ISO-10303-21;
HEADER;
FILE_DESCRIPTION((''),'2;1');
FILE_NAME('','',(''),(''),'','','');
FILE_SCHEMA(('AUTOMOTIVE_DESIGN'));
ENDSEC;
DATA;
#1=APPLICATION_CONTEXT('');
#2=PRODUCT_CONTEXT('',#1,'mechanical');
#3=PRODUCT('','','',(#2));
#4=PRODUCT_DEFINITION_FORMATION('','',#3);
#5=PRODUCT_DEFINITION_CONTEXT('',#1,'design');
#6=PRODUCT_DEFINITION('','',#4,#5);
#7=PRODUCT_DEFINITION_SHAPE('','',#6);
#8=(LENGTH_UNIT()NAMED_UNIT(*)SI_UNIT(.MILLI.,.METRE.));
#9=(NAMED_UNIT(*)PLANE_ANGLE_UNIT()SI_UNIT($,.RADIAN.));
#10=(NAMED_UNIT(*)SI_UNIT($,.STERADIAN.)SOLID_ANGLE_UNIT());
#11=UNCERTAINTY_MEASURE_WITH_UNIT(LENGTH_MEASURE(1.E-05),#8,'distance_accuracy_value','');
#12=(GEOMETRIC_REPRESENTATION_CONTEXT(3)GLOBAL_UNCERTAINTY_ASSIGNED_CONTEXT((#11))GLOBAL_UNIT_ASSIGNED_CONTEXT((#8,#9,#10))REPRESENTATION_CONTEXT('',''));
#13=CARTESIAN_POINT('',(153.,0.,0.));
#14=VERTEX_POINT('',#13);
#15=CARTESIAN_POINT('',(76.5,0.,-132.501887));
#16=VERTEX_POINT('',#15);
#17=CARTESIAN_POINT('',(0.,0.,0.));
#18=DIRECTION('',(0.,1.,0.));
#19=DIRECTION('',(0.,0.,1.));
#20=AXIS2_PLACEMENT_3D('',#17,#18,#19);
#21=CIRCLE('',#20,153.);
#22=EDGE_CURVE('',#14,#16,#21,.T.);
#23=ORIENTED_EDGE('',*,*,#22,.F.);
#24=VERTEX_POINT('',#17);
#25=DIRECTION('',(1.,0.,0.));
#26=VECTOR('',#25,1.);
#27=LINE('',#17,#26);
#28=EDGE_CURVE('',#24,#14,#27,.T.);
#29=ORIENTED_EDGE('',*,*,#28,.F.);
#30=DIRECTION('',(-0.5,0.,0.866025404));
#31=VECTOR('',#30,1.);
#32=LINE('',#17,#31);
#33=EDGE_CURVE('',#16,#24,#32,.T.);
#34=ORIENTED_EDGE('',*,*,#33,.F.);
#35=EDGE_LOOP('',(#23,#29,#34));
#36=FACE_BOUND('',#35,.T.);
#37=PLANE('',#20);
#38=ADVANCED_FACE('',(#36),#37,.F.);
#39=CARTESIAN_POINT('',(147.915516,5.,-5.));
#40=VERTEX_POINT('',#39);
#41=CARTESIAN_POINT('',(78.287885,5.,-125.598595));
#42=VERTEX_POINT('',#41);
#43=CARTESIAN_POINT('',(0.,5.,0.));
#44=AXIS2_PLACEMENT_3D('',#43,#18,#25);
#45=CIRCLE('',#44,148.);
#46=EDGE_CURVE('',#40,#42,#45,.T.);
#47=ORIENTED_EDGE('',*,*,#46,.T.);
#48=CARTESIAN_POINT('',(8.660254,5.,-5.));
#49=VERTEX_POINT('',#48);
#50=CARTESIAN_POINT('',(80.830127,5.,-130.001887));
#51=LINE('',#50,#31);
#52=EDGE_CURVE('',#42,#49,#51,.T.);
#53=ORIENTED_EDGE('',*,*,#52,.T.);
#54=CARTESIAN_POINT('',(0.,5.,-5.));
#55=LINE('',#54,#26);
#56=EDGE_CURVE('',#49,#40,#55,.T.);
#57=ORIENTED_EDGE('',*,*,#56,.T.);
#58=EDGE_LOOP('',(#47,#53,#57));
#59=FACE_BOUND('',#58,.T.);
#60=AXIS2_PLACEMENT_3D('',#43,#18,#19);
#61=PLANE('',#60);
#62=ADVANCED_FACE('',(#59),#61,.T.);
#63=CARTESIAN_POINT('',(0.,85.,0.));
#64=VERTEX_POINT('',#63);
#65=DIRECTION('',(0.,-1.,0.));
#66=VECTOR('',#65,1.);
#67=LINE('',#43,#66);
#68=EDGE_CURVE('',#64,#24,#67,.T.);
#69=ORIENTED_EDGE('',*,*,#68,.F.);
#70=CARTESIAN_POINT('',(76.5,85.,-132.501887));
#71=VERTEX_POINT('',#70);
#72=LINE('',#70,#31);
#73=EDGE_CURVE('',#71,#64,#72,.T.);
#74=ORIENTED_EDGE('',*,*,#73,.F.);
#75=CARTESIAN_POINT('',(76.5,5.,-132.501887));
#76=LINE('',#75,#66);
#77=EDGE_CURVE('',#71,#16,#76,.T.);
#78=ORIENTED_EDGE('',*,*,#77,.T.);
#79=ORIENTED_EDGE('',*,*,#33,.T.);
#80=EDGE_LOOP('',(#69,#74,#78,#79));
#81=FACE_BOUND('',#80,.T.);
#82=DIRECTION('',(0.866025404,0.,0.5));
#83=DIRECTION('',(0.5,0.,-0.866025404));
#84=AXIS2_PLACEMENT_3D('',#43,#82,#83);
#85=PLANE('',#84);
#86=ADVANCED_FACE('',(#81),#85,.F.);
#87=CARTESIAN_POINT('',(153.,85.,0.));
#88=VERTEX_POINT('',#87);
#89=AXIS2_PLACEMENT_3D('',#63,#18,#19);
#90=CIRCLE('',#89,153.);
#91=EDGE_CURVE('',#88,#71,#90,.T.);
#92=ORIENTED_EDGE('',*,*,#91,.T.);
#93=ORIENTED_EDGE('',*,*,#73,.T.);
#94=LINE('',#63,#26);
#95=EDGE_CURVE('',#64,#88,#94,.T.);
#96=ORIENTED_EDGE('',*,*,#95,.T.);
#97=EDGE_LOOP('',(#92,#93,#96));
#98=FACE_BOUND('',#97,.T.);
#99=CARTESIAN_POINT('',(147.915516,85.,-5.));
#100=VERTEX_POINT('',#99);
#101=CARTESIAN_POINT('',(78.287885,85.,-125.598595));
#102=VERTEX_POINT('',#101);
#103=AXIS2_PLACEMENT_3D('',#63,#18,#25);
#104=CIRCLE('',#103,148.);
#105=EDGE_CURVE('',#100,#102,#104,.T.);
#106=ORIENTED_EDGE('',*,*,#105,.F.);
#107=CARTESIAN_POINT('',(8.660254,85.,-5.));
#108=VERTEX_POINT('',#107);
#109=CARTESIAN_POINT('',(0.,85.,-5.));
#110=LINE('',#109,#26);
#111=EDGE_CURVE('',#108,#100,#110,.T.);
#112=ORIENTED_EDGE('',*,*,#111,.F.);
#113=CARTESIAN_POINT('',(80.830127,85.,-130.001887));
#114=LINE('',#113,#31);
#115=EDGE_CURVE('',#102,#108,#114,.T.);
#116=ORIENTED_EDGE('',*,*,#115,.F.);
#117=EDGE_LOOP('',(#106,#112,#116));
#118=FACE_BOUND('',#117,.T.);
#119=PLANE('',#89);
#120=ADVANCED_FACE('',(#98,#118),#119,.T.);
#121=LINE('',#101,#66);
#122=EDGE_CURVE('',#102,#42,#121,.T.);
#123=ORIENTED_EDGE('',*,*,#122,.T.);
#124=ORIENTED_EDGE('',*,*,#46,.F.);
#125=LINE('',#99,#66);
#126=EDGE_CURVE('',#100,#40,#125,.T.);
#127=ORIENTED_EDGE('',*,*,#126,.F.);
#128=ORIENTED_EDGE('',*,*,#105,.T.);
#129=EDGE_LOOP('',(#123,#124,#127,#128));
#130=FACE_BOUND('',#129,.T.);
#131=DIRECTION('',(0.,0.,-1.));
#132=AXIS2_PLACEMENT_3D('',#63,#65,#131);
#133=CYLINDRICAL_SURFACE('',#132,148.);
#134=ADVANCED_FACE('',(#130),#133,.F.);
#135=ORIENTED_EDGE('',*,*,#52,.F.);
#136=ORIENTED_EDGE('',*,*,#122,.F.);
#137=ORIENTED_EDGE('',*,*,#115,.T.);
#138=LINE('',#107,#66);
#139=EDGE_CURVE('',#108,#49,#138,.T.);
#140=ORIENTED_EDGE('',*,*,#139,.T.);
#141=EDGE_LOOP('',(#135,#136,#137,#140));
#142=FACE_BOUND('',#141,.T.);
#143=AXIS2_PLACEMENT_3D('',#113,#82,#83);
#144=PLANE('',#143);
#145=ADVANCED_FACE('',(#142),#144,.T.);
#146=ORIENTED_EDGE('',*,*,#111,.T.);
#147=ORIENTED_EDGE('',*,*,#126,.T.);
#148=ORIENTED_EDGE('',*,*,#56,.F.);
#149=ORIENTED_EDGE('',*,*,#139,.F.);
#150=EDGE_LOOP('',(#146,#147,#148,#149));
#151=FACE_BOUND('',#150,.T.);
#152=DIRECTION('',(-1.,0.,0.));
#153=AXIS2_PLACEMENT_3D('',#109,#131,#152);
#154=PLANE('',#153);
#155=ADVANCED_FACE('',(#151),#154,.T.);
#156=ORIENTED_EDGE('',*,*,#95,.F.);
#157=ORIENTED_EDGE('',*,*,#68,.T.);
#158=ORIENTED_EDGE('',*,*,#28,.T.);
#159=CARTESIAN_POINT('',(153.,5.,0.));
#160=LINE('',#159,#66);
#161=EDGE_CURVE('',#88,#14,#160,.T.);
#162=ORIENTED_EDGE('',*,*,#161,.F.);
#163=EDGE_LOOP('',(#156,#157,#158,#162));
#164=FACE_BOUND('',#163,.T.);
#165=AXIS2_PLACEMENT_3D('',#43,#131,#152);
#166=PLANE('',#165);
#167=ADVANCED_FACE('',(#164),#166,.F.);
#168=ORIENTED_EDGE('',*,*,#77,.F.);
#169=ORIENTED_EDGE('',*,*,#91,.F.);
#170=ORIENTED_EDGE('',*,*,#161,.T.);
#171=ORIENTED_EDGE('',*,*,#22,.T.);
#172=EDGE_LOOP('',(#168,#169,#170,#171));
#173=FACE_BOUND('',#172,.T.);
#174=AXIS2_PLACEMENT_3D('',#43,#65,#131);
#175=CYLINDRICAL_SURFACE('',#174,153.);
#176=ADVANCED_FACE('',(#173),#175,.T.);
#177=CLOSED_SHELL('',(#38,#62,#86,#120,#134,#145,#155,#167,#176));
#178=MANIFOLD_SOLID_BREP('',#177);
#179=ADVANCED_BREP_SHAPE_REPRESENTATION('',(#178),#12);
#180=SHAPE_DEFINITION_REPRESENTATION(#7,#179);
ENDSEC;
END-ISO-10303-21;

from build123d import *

# Parameters (mm, degrees)
EXTRUDE_1_DEPTH   = 5
EXTRUDE_1_2_DEPTH = 80


with BuildPart() as part:
    # 草图1 → Extrude 1 (new body)
    with BuildSketch(Plane(origin=(0, 0, 0), x_dir=(1, 0, 0), z_dir=(0, 1, 0))):
        with BuildLine():
            Line((0, 0), (153, 0))
            ThreePointArc((153, 0), (132.501886779, 76.5), (76.5, 132.501886779))
            Line((76.5, 132.501886779), (0, 0))
        make_face()
    extrude(amount=EXTRUDE_1_DEPTH)

    # 草图2 → Extrude 1 2 (add)
    with BuildSketch(Plane(origin=(0, 5, 0), x_dir=(1, 0, 0), z_dir=(0, 1, 0))):
        with BuildLine():
            Line((76.5, 132.501886779), (0, 0))
            Line((0, 0), (153, 0))
            ThreePointArc((153, 0), (132.501886779, 76.5), (76.5, 132.501886779))
        make_face()
        with BuildLine():
            Line((78.287885233, 125.59859484), (8.660254038, 5))
            Line((8.660254038, 5), (147.915516427, 5))
            ThreePointArc((147.915516427, 5), (128.17175976, 74), (78.287885233, 125.59859484))
        make_face(mode=Mode.SUBTRACT)
    extrude(amount=EXTRUDE_1_2_DEPTH)


solid = part.part
